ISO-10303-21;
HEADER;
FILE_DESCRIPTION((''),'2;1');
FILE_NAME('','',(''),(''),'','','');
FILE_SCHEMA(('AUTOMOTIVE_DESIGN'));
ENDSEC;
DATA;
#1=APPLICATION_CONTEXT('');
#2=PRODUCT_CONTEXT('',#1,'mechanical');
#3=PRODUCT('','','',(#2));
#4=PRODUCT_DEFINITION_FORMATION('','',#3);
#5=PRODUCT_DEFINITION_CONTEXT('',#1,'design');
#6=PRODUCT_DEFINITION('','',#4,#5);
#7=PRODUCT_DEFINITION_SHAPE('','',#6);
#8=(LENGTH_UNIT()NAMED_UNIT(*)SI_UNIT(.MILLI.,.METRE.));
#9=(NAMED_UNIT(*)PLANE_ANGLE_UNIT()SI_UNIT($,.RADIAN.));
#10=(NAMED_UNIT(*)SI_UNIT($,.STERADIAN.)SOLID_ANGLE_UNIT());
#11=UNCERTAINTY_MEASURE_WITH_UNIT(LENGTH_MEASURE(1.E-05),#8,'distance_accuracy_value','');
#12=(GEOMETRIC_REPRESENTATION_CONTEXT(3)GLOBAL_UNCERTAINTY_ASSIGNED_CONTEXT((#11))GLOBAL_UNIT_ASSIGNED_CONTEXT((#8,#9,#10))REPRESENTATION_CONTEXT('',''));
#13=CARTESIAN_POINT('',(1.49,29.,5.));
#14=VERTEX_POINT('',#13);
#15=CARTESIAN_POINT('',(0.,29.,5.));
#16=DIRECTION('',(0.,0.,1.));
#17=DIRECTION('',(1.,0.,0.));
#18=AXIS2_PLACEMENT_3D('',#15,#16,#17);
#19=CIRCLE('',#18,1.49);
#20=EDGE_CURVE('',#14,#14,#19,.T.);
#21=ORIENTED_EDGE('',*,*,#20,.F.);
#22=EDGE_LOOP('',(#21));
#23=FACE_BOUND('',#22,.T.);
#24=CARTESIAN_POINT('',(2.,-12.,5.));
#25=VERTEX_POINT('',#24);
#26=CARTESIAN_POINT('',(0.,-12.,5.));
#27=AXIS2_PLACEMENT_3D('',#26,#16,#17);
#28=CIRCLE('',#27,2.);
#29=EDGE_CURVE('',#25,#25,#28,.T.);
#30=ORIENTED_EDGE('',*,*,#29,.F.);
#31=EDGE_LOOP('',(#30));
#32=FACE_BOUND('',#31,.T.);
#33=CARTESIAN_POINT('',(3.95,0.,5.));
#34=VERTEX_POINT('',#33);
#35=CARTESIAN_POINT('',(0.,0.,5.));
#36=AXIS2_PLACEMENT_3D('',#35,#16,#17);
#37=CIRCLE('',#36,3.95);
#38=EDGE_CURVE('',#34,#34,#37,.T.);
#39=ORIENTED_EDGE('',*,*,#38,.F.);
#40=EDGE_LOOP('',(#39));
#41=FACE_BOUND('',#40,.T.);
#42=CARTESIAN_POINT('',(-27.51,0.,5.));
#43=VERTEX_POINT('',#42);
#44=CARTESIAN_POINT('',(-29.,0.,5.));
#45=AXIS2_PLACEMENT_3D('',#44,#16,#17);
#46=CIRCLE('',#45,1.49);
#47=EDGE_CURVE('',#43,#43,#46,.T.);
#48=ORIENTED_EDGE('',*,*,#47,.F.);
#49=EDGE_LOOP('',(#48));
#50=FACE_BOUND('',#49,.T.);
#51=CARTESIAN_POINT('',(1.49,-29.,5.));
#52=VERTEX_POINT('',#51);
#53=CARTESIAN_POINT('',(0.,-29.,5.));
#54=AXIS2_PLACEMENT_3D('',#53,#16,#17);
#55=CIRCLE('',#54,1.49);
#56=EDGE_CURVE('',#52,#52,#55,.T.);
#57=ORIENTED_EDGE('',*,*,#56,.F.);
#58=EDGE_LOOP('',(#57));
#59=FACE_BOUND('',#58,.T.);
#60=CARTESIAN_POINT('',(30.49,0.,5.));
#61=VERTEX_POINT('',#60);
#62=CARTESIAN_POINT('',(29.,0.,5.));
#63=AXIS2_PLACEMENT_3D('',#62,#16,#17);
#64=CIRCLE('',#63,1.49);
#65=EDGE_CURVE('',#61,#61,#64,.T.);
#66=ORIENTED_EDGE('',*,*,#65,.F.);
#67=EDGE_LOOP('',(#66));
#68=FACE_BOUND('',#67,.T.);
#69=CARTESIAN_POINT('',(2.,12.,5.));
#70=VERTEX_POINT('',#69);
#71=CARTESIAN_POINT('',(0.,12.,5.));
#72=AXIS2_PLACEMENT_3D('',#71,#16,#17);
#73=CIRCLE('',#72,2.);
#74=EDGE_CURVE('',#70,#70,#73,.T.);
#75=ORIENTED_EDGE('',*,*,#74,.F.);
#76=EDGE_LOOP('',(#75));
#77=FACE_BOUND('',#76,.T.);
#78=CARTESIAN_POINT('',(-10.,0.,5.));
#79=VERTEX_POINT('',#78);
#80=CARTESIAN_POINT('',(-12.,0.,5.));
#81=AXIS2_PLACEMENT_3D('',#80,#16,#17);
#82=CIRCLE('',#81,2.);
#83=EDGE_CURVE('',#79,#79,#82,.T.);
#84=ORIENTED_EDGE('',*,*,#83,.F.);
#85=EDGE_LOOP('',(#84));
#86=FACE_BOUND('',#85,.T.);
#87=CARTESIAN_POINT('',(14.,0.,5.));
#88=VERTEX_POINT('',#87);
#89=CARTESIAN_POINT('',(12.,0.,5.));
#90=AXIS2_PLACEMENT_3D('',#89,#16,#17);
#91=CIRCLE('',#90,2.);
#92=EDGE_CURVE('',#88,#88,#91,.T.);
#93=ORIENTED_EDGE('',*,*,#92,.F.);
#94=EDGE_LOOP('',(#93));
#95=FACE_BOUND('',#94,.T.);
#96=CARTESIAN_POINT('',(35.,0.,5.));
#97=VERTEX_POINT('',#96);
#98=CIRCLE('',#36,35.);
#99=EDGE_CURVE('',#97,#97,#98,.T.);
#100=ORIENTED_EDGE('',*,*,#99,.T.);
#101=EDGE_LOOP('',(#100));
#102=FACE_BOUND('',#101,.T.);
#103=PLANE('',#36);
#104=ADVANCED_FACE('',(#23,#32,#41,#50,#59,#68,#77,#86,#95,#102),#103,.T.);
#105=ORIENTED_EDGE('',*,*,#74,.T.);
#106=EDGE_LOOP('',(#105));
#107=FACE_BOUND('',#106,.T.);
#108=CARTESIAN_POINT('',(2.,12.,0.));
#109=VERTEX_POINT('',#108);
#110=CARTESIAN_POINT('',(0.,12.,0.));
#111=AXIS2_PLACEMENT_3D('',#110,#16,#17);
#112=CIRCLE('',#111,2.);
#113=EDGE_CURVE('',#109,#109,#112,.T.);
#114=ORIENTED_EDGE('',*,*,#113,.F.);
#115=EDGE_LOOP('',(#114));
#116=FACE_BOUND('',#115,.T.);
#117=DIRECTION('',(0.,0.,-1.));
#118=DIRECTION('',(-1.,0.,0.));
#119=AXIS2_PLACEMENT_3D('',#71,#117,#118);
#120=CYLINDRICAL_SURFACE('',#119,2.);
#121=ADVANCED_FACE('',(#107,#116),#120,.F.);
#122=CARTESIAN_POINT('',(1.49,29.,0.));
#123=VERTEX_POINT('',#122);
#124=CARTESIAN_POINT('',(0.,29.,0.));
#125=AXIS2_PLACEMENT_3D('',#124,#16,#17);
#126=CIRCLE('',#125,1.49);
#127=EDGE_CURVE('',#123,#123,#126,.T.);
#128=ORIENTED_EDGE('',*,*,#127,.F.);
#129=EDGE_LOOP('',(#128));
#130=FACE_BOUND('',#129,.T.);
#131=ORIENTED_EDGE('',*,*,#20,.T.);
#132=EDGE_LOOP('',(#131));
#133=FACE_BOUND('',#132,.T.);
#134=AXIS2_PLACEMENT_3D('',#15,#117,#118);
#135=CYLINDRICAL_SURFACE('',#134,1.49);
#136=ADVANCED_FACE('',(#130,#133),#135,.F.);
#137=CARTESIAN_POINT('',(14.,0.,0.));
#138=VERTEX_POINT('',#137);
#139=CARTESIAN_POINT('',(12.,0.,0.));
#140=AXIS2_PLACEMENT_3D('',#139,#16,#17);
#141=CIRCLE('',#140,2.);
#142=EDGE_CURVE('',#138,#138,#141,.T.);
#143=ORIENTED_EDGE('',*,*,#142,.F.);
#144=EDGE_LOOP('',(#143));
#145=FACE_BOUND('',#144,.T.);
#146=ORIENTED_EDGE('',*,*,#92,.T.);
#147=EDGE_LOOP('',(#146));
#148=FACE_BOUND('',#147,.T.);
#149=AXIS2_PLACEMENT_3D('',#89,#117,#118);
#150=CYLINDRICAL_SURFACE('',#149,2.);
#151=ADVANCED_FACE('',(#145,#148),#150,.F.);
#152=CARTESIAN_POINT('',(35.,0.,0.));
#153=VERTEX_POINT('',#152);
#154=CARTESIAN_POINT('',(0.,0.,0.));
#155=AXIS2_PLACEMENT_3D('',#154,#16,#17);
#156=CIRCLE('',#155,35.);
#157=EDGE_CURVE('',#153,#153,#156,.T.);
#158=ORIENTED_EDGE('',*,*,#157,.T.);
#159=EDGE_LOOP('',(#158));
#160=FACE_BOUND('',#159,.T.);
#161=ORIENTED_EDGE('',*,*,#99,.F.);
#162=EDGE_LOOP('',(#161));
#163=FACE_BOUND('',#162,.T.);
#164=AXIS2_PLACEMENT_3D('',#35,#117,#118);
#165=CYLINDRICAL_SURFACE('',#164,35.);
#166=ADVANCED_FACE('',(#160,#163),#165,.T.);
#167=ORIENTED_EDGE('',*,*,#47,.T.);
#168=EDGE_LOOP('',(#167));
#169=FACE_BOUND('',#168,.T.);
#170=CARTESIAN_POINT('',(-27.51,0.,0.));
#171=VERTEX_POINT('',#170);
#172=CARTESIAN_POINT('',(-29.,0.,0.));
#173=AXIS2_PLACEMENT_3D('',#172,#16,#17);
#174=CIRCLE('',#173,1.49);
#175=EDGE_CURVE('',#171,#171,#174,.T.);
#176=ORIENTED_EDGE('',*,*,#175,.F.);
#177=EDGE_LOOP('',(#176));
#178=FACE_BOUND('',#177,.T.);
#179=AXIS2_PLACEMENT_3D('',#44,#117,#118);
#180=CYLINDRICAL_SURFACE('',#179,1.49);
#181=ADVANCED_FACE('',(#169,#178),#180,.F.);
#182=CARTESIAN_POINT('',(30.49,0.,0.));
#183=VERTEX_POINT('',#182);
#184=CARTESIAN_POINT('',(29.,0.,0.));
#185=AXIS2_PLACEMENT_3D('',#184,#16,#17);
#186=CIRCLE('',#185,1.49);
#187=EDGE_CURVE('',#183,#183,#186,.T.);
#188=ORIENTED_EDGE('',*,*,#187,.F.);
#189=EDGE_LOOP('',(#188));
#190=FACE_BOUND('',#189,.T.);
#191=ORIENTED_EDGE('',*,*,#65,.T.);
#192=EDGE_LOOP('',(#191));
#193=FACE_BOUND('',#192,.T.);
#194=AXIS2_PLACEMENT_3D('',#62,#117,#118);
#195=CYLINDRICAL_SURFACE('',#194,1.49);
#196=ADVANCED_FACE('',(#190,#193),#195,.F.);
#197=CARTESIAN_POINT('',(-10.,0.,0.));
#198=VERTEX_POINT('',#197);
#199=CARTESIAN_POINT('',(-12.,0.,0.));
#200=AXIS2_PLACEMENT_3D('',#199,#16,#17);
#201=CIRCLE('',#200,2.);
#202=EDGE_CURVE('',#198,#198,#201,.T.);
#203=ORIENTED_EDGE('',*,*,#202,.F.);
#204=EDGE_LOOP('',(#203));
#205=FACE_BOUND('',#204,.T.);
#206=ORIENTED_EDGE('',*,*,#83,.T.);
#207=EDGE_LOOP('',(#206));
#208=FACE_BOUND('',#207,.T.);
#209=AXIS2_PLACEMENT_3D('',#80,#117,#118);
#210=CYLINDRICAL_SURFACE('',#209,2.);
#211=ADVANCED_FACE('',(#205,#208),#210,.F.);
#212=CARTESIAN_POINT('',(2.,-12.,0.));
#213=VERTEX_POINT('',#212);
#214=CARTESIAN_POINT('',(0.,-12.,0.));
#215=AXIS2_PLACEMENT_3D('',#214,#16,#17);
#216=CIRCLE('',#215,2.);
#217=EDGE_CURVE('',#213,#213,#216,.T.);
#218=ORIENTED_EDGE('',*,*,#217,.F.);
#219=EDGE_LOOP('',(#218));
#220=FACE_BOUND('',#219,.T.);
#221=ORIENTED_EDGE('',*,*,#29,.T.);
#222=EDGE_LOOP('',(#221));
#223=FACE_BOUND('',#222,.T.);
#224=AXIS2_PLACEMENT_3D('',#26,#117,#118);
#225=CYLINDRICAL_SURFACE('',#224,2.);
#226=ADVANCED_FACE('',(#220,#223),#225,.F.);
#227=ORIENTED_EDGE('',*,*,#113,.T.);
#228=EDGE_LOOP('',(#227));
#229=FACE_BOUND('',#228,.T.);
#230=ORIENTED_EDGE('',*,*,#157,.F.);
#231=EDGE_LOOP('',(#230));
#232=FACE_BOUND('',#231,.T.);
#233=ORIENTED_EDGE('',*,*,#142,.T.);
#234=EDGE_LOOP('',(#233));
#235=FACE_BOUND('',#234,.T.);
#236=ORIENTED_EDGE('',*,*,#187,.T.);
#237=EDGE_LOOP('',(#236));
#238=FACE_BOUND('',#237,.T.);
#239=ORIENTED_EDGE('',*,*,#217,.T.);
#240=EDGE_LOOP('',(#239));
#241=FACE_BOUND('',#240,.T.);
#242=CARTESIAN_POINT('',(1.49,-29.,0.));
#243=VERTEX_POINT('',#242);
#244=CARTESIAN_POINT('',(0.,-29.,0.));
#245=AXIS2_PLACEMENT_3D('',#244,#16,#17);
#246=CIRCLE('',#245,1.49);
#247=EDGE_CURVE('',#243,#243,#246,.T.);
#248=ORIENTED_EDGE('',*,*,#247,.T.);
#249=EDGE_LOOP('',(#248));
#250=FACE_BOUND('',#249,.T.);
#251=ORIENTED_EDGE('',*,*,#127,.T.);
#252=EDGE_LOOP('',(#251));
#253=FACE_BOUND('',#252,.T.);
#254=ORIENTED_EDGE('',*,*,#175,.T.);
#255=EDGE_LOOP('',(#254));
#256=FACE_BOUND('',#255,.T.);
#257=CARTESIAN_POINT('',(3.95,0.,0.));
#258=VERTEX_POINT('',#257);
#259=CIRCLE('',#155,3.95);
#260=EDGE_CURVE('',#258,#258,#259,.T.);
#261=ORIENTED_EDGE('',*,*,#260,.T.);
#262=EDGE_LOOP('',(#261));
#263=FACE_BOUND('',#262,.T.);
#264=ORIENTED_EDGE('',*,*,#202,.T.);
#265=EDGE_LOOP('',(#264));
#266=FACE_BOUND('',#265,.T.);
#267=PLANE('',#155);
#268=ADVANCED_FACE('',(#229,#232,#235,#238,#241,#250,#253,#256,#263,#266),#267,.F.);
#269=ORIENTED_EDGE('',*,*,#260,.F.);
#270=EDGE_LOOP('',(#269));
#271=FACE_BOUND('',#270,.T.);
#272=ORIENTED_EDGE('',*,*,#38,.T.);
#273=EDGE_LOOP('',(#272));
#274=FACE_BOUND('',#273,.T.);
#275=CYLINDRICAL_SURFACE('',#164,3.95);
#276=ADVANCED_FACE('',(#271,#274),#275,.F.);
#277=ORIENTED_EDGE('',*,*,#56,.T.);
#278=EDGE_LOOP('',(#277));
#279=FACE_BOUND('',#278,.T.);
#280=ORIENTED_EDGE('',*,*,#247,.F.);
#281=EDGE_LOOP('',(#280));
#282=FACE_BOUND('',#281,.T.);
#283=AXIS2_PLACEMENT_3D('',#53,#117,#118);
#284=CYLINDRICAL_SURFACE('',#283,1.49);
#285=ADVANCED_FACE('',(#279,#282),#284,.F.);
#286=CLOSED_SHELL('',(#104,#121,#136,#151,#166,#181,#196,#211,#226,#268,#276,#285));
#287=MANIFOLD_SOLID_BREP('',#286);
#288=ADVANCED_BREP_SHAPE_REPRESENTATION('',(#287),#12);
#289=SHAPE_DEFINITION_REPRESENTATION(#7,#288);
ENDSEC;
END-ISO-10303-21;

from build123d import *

# Parameters (mm, degrees)
SKETCH1_R           = 35
SKETCH1_R_2         = 3.95
SKETCH1_R_3         = 1.49
SKETCH1_R_4         = 2
BOSS_EXTRUDE1_DEPTH = 5


with BuildPart() as part:
    # Sketch1 → Boss-Extrude1 (new body)
    with BuildSketch(Plane.XY):
        Circle(SKETCH1_R)
        Circle(SKETCH1_R_2, mode=Mode.SUBTRACT)
        with Locations((-29, 0)):
            Circle(SKETCH1_R_3, mode=Mode.SUBTRACT)
        with Locations((29, 0)):
            Circle(SKETCH1_R_3, mode=Mode.SUBTRACT)
        with Locations((0, 29)):
            Circle(SKETCH1_R_3, mode=Mode.SUBTRACT)
        with Locations((0, -29)):
            Circle(SKETCH1_R_3, mode=Mode.SUBTRACT)
        with Locations((0, 12)):
            Circle(SKETCH1_R_4, mode=Mode.SUBTRACT)
        with Locations((12, 0)):
            Circle(SKETCH1_R_4, mode=Mode.SUBTRACT)
        with Locations((0, -12)):
            Circle(SKETCH1_R_4, mode=Mode.SUBTRACT)
        with Locations((-12, 0)):
            Circle(SKETCH1_R_4, mode=Mode.SUBTRACT)
    extrude(amount=BOSS_EXTRUDE1_DEPTH)


solid = part.part
